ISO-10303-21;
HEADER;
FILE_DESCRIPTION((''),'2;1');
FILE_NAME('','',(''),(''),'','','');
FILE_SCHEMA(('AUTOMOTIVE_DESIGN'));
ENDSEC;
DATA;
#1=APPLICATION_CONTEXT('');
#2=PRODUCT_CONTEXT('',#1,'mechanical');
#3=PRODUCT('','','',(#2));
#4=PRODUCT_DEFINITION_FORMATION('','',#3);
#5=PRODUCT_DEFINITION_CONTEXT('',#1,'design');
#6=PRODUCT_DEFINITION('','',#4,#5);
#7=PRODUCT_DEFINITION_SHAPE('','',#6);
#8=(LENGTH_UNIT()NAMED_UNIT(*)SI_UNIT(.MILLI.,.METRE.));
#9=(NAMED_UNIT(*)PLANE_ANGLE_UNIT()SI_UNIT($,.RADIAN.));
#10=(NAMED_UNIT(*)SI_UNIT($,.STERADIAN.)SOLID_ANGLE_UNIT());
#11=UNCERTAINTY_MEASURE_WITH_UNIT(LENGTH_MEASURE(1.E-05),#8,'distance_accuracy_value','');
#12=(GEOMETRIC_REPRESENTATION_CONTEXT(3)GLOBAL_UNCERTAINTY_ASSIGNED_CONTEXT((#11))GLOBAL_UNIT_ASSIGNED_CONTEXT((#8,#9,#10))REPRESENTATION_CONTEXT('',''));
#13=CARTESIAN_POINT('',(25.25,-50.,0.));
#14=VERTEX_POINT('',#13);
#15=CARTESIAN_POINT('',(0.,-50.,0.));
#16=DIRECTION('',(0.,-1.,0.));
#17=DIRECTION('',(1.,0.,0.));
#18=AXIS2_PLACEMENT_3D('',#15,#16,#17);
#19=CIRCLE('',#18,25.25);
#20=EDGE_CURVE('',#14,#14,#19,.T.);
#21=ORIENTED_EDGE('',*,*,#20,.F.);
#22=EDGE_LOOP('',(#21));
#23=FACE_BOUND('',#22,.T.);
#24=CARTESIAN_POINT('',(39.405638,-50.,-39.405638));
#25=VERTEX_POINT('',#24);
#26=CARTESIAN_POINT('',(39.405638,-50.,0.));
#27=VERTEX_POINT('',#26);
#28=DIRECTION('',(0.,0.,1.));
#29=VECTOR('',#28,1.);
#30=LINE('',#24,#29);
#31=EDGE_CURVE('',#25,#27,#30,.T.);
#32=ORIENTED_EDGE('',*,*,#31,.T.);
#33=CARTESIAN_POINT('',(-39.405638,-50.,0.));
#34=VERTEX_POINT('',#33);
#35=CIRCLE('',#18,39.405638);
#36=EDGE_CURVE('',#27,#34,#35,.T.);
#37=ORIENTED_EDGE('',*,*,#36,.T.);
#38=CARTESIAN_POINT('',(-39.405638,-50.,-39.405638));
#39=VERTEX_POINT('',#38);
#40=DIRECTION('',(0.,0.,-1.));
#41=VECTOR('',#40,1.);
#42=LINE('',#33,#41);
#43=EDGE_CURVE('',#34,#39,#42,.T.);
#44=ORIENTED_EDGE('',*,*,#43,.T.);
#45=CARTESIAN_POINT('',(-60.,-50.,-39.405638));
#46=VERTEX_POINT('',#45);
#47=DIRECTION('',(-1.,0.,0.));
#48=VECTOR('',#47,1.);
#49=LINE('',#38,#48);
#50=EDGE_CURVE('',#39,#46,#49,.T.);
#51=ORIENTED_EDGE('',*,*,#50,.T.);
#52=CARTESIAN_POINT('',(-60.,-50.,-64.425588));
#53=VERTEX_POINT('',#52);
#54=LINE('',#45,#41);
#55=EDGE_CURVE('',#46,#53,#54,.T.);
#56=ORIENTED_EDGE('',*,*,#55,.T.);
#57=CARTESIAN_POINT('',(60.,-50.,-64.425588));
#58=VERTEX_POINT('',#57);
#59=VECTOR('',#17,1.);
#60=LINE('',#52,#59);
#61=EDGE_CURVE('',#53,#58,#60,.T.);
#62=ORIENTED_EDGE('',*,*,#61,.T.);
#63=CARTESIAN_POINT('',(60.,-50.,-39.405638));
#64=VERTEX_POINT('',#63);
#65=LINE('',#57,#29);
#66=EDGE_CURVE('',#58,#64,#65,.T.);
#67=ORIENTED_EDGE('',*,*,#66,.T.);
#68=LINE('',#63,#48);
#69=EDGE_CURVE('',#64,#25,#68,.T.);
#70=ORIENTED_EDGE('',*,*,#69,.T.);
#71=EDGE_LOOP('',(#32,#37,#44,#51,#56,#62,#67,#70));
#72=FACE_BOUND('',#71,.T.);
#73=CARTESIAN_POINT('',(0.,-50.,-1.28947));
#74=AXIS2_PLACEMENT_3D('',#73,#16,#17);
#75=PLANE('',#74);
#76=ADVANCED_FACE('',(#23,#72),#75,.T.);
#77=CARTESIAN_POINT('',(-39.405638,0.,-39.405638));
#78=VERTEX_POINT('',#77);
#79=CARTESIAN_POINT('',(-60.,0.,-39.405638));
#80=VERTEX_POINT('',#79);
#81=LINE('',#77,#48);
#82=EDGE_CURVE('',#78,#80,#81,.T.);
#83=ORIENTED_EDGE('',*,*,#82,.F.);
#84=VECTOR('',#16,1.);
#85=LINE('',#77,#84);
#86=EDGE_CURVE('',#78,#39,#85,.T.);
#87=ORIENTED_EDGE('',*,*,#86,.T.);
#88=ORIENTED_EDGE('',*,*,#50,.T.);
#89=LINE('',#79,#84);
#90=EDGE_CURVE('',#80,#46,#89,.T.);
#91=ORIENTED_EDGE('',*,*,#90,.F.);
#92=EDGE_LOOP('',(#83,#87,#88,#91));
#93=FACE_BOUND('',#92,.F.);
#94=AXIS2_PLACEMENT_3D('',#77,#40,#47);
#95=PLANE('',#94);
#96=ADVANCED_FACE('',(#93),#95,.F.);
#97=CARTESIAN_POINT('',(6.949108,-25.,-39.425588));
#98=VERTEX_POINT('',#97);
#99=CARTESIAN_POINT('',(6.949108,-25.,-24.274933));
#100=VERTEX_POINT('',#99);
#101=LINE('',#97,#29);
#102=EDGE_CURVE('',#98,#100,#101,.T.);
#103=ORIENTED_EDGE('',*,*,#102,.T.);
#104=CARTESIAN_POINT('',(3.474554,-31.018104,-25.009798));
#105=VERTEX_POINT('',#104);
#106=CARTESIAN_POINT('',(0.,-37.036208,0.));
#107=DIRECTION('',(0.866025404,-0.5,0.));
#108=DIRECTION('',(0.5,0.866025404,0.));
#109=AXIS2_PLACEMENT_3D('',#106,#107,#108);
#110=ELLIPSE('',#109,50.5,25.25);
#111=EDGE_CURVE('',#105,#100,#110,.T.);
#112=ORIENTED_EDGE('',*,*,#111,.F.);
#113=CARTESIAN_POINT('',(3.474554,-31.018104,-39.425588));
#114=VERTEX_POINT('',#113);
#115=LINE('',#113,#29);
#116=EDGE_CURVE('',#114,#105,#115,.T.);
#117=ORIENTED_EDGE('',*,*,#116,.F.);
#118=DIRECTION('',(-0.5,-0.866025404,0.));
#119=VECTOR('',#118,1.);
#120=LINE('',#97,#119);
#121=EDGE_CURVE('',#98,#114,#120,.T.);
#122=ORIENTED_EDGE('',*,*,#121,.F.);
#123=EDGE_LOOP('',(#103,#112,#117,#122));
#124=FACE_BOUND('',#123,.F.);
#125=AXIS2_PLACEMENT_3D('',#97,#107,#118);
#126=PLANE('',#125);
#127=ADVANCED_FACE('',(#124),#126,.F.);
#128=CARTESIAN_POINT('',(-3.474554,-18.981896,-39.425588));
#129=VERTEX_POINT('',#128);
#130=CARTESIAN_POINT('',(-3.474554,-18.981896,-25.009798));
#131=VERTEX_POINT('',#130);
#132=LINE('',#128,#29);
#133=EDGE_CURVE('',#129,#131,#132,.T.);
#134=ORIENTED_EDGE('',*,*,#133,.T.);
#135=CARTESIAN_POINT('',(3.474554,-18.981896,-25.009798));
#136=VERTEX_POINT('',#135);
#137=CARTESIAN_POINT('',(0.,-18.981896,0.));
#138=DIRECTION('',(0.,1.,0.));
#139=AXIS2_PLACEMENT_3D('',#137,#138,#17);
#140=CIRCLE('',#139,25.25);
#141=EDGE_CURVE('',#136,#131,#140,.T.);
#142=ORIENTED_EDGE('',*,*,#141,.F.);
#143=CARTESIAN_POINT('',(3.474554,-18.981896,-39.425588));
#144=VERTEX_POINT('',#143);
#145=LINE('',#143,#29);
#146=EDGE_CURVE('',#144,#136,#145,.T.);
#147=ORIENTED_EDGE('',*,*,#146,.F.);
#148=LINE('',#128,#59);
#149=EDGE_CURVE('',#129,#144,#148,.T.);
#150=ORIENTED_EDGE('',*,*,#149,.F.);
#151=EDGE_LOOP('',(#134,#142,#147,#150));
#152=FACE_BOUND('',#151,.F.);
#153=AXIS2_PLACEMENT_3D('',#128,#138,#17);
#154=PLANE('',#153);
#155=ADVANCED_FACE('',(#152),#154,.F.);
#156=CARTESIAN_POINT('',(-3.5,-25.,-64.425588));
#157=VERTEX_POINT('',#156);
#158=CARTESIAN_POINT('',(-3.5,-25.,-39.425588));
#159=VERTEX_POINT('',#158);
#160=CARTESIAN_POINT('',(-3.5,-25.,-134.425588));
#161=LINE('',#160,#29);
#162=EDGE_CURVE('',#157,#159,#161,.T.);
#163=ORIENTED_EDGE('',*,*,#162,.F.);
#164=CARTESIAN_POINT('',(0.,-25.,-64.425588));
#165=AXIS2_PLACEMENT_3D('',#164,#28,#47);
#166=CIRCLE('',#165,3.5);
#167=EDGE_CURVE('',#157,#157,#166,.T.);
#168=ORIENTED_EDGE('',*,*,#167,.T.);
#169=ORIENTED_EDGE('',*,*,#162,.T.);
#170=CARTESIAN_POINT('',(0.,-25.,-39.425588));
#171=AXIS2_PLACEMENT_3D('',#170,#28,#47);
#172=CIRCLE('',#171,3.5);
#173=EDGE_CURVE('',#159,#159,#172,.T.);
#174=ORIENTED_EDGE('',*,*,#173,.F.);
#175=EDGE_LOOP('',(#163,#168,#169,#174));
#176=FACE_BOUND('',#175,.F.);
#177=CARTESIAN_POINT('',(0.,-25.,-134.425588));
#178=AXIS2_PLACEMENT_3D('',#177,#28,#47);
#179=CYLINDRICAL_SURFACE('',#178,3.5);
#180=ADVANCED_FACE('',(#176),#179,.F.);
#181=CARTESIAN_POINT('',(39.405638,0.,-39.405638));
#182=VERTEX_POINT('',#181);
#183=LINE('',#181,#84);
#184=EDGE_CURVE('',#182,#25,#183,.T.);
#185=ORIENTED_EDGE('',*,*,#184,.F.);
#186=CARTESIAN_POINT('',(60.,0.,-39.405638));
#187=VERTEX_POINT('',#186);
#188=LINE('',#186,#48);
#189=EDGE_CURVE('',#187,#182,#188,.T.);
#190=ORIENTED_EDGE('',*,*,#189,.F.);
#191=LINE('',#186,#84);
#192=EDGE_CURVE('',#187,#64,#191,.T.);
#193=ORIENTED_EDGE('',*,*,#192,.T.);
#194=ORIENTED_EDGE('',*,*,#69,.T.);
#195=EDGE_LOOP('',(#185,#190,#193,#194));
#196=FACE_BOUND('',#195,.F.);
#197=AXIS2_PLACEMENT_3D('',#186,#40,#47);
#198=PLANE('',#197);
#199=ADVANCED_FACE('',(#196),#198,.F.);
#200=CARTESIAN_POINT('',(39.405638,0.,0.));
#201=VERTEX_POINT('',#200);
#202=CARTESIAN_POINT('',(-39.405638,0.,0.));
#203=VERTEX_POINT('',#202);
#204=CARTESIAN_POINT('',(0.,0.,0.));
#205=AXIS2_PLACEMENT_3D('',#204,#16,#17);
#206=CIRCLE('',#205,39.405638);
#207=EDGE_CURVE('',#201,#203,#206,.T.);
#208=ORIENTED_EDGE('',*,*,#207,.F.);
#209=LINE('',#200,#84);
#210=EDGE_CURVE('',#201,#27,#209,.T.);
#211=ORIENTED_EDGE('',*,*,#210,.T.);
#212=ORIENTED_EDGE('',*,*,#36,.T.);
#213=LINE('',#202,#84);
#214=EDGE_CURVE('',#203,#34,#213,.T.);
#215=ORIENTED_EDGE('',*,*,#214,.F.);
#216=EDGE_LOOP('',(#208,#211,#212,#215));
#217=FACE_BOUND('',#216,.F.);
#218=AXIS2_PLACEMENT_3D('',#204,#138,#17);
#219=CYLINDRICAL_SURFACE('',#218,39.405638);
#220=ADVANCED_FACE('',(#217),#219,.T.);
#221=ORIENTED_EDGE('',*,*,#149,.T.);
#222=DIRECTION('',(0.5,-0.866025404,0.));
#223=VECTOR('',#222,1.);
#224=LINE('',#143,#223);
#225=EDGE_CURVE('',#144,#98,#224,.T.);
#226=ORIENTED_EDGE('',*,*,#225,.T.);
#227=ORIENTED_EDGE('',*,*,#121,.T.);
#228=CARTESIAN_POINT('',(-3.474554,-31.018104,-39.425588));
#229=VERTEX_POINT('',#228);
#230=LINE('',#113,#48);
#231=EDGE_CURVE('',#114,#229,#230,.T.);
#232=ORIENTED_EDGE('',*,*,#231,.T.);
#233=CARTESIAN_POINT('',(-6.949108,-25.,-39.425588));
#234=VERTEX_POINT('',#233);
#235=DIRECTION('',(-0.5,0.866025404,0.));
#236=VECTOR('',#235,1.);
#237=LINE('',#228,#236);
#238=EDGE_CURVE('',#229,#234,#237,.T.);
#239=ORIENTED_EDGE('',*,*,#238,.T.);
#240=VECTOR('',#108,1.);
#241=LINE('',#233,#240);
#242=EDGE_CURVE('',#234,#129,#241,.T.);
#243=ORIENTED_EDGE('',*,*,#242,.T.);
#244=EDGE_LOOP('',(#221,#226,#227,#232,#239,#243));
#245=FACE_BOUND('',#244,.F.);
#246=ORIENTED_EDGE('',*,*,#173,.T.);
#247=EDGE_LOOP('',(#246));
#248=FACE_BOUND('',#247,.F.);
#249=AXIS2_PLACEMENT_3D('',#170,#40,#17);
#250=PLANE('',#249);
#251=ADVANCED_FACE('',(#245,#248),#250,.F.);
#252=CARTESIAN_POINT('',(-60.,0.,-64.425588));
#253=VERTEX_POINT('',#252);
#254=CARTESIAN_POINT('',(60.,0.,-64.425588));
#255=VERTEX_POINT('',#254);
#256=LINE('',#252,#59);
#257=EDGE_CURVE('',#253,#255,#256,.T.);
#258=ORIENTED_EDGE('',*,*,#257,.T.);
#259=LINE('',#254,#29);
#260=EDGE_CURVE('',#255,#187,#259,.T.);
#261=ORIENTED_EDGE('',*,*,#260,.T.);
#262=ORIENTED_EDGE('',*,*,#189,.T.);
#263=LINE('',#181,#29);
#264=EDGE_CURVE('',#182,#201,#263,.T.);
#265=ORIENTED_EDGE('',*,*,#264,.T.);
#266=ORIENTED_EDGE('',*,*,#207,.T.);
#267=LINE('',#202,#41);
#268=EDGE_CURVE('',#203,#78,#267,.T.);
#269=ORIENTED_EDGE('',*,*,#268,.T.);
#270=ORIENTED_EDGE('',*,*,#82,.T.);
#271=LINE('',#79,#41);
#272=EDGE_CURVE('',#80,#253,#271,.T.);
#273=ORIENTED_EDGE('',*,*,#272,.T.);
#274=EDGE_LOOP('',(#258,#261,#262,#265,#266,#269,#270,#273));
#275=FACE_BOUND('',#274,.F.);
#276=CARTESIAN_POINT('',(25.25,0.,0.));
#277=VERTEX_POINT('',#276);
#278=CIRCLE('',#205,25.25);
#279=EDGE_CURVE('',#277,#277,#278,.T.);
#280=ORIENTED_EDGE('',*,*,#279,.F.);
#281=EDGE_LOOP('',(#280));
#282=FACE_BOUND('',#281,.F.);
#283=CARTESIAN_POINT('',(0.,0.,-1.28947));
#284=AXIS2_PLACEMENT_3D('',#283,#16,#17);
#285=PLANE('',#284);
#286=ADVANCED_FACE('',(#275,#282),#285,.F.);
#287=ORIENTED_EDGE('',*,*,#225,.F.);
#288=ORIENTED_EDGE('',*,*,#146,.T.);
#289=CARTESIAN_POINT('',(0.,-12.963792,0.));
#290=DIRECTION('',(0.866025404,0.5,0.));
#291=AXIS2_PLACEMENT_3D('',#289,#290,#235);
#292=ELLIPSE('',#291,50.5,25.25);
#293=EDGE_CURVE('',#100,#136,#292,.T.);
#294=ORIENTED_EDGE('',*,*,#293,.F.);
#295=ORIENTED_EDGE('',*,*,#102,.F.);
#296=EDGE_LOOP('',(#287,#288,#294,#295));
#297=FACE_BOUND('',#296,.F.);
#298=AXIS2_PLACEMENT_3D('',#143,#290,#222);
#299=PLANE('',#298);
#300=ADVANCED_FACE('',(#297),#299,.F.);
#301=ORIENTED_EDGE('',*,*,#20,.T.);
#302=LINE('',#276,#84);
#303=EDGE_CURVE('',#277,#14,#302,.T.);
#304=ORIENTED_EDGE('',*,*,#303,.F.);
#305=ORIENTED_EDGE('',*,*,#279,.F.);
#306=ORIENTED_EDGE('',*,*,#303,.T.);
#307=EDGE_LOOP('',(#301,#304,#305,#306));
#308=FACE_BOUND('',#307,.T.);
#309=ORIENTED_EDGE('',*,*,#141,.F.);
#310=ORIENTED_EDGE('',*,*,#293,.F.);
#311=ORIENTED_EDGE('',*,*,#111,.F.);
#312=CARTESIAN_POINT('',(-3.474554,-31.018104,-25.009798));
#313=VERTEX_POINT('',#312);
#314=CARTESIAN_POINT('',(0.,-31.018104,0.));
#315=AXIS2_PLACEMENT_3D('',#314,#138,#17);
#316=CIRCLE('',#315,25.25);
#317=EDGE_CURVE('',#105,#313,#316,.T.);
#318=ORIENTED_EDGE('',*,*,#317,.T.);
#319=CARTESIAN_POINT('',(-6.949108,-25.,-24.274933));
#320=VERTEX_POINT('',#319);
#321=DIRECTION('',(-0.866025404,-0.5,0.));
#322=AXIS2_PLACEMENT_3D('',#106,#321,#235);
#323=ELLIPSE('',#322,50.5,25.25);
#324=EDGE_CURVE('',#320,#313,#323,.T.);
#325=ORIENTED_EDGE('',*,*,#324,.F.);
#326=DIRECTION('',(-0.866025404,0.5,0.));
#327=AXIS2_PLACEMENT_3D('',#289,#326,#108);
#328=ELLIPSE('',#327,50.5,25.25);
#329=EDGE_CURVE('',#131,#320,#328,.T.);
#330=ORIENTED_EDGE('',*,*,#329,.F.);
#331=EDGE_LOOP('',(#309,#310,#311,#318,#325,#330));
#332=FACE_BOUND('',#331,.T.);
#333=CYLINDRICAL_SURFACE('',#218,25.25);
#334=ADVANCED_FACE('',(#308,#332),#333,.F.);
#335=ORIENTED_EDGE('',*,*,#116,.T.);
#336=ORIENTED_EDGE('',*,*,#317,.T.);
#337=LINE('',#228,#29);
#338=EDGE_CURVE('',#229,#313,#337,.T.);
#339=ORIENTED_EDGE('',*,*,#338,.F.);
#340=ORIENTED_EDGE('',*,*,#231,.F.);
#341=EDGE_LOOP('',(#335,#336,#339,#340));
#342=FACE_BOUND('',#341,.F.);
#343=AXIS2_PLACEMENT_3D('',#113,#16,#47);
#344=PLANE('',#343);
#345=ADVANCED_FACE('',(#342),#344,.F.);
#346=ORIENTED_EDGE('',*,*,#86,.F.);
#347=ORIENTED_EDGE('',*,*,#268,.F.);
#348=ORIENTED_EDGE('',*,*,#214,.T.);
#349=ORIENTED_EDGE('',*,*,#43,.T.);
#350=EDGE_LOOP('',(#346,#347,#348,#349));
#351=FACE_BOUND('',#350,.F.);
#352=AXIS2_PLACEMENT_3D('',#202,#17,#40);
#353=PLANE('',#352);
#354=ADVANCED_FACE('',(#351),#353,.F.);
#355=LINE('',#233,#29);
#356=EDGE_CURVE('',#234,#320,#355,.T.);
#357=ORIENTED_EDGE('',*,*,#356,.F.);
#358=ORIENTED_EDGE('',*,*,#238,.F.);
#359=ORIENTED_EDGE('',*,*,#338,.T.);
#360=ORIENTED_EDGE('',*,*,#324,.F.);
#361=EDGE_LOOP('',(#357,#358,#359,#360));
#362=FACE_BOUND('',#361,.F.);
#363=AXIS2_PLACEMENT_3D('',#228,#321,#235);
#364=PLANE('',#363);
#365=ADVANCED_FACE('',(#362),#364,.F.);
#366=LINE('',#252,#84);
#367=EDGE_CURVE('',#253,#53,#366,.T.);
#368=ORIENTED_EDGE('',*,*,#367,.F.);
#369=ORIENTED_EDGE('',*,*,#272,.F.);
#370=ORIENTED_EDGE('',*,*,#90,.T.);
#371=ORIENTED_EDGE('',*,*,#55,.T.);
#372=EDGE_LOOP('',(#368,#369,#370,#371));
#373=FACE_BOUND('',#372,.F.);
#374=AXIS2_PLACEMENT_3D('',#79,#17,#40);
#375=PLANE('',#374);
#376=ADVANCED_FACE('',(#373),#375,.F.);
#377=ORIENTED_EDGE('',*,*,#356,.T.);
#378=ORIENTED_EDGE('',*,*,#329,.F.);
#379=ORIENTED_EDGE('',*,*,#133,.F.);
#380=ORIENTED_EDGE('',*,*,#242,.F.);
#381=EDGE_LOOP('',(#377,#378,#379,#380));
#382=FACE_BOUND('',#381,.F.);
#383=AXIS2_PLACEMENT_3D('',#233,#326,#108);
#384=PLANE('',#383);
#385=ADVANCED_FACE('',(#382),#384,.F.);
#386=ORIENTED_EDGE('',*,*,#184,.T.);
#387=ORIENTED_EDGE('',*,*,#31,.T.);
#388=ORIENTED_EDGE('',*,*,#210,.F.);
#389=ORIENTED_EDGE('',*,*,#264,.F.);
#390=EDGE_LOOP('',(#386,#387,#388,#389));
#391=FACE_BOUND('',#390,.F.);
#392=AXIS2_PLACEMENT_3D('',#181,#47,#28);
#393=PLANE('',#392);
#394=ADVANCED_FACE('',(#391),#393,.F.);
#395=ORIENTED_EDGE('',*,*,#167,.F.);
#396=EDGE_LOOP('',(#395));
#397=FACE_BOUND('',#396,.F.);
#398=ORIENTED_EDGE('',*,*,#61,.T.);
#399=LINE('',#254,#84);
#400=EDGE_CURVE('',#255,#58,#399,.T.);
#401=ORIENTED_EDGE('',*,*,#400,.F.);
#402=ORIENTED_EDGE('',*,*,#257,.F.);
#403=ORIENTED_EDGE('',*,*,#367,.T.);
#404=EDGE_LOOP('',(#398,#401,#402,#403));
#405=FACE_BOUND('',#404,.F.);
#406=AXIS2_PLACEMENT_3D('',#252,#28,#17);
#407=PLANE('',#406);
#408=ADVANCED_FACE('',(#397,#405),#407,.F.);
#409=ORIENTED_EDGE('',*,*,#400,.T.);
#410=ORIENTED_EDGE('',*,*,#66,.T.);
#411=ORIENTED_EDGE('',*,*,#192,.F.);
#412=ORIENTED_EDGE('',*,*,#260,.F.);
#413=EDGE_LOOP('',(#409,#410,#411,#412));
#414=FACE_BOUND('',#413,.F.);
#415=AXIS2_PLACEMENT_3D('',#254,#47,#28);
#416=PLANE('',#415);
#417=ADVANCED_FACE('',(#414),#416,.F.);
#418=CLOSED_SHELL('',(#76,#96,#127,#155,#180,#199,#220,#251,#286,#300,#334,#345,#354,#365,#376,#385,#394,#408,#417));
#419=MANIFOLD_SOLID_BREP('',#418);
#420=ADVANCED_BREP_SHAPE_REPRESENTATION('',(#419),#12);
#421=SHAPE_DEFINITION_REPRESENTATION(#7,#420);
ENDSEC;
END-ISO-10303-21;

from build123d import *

# Parameters (mm, degrees)
F0_R     = 25.25
F1_DEPTH = 50
F4_D     = 7
F4_DEPTH = 70
F4_TIP   = 2.1030121666
F6_DEPTH = 25


with BuildPart() as f1:
    # F0 (on Front) → F1 (new body)
    with BuildSketch(Plane.XZ):
        with BuildLine():
            ThreePointArc((0, -39.4056375813), (27.8639935507, -27.8639935507), (39.4056375813, 0))
            ThreePointArc((39.4056375813, 0), (0, 39.4056375813), (-39.4056375813, 0))
            ThreePointArc((-39.4056375813, 0), (-27.8639935507, -27.8639935507), (0, -39.4056375813))
        make_face()
        Circle(F0_R, mode=Mode.SUBTRACT)
        with BuildLine():
            ThreePointArc((0, -39.4056375813), (-27.8639935507, -27.8639935507), (-39.4056375813, 0))
            Line((-39.4056375813, 0), (-39.4056375813, -39.4056375813))
            Line((-39.4056375813, -39.4056375813), (0, -39.4056375813))
        make_face()
        Polygon((0, -64.4255876541), (0, -39.4056375813), (-39.4056375813, -39.4056375813), (-60, -39.4056375813), (-60, -64.4255876541), align=None)
        Polygon((39.4056375813, -39.4056375813), (0, -39.4056375813), (0, -64.4255876541), (60, -64.4255876541), (60, -39.4056375813), align=None)
        with BuildLine():
            Line((39.4056375813, -39.4056375813), (39.4056375813, 0))
            ThreePointArc((39.4056375813, 0), (27.8639935507, -27.8639935507), (0, -39.4056375813))
            Line((0, -39.4056375813), (39.4056375813, -39.4056375813))
        make_face()
    extrude(amount=F1_DEPTH)

    # F4
    with Locations(Plane(origin=(0, 0, -64.4255876541), x_dir=(1, 0, 0), z_dir=(0, 0, -1))):
        with Locations((0, 25)):
            Hole(F4_D / 2, depth=F4_DEPTH)
            with Locations((0, 0, -(F4_DEPTH + F4_TIP / 2))):  # 118° drill point
                Cone(0, F4_D / 2, F4_TIP, mode=Mode.SUBTRACT)

    # F5 (on offset) → F6 (cut)
    with BuildSketch(Plane(origin=(0, 0, -39.4255876541), x_dir=(1, 0, 0), z_dir=(0, 0, -1))):
        Polygon((-3.4745540902, 18.9818957821), (3.4745540902, 18.9818957821), (6.9491081805, 25), (3.4745540902, 31.0181042179), (-3.4745540902, 31.0181042179), (-6.9491081805, 25), align=None)
    extrude(amount=-F6_DEPTH, mode=Mode.SUBTRACT)


solid = f1.part
